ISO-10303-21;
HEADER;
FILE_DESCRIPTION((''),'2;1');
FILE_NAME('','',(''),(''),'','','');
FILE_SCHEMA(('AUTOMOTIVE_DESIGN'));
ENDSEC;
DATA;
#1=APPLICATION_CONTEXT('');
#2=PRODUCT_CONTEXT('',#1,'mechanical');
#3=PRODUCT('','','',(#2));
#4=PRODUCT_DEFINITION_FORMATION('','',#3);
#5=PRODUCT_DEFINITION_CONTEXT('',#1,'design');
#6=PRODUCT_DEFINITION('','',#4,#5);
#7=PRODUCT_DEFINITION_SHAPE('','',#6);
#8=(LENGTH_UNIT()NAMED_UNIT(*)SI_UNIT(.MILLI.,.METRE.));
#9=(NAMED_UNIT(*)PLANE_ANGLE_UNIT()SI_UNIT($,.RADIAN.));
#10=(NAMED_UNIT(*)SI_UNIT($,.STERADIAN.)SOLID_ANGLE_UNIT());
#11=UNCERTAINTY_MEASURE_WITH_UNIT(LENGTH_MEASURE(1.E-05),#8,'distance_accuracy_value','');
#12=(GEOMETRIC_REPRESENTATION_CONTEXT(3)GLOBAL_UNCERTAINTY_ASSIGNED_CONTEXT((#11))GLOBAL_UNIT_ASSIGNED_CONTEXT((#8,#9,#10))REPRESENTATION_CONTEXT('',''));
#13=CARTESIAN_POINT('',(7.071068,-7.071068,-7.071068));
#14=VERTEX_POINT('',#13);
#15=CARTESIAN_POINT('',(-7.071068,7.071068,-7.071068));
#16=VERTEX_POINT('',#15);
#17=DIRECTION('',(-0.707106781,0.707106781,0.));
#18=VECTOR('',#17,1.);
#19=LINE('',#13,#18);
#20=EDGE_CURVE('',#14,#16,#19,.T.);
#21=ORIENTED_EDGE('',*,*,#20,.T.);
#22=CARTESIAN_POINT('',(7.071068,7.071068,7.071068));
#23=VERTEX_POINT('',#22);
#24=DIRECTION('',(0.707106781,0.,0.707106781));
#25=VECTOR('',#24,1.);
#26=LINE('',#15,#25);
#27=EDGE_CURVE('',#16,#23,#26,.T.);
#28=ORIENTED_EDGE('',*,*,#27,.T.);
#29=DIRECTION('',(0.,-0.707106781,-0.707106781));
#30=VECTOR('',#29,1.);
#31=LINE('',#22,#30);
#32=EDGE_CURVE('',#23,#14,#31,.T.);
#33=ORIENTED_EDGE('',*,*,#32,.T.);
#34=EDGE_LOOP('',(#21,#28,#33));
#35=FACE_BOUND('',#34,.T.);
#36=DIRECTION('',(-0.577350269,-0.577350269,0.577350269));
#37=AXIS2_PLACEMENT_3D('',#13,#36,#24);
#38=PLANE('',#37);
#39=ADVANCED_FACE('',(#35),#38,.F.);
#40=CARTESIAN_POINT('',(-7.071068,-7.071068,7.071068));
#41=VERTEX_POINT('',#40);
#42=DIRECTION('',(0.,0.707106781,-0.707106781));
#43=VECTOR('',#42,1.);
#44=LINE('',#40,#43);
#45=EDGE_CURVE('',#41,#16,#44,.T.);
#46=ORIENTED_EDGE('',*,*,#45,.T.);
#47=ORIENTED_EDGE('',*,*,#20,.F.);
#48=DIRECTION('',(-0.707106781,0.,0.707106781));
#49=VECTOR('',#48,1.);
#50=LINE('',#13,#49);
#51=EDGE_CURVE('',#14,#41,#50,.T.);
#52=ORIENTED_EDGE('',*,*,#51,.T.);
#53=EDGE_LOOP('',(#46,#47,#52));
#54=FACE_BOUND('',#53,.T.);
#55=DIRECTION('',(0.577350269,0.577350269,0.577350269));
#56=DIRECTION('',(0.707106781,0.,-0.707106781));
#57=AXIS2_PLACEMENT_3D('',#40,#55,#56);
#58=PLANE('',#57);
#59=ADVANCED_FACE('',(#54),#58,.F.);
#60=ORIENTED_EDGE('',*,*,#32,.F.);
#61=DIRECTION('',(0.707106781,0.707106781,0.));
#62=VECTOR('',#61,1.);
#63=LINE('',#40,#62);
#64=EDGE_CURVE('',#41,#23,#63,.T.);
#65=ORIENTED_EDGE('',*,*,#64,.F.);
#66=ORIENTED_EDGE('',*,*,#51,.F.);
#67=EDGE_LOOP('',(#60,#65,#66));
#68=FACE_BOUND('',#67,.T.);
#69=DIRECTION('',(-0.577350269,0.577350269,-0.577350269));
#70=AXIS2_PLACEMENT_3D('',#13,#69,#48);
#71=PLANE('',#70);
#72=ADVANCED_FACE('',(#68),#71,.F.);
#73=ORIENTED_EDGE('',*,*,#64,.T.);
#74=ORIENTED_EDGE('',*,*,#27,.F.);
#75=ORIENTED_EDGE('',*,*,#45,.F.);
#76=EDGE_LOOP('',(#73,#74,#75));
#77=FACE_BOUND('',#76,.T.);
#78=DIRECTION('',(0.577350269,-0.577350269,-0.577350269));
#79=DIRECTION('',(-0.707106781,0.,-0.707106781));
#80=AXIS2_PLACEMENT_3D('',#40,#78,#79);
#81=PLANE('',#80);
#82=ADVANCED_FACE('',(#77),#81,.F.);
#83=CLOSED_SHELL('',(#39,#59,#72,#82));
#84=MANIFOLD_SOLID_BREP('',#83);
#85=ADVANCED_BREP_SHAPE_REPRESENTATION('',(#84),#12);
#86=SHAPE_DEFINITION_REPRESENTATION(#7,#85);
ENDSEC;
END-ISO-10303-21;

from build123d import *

# Parameters (mm, degrees)
CIRPATTERN2_2_ANGLE   = 180
CIRPATTERN2_2_5_ANGLE = 180


with BuildPart() as body_1:
    # Sketch12 → Surface-Plane4: a flat surface bounded by the sketch
    with BuildSketch(Plane(origin=(-2.357022604, -2.357022604, -2.357022604), x_dir=(0.4082482904638632, 0.4082482904638626, -0.8164965809277261), z_dir=(0.5773502691896264, 0.5773502691896254, 0.5773502691896256)), mode=Mode.PRIVATE) as surface_plane4_1_region:
        Polygon((-11.547005384, 0), (5.773502692, -10), (5.773502692, 10), align=None)
    surface_plane4_1 = surface_plane4_1_region.sketch.faces()[0]
    # CirPattern2: a copy of that surface (a pattern of surface bodies)
    cirpattern2_2 = surface_plane4_1.rotate(Axis((0, 0, 0), (0, 1, 0)), CIRPATTERN2_2_ANGLE)
    # Sketch11 → Surface-Plane3: a flat surface bounded by the sketch
    with BuildSketch(Plane(origin=(2.357022604, 2.357022604, -2.357022604), x_dir=(0.40824829046386335, 0.4082482904638629, 0.8164965809277259), z_dir=(-0.577350269189626, -0.5773502691896255, 0.577350269189626)), mode=Mode.PRIVATE) as surface_plane3_3_region:
        Polygon((-5.773502692, -10), (11.547005384, 0), (-5.773502692, 10), align=None)
    surface_plane3_3 = surface_plane3_3_region.sketch.faces()[0]
    # Sketch11 → Surface-Plane3: a flat surface bounded by the sketch
    with BuildSketch(Plane(origin=(2.357022604, 2.357022604, -2.357022604), x_dir=(0.40824829046386335, 0.4082482904638629, 0.8164965809277259), z_dir=(-0.577350269189626, -0.5773502691896255, 0.577350269189626)), mode=Mode.PRIVATE) as surface_plane3_4_region:
        Polygon((-5.773502692, -10), (11.547005384, 0), (-5.773502692, 10), align=None)
    surface_plane3_4 = surface_plane3_4_region.sketch.faces()[0]
    # CirPattern2 2: a copy of that surface (a pattern of surface bodies)
    cirpattern2_2_5 = surface_plane3_4.rotate(Axis((0, 0, 0), (0, 1, 0)), CIRPATTERN2_2_5_ANGLE)
    # Sketch12 → Surface-Plane4: a flat surface bounded by the sketch
    with BuildSketch(Plane(origin=(-2.357022604, -2.357022604, -2.357022604), x_dir=(0.4082482904638632, 0.4082482904638626, -0.8164965809277261), z_dir=(0.5773502691896264, 0.5773502691896254, 0.5773502691896256)), mode=Mode.PRIVATE) as surface_plane4_6_region:
        Polygon((-11.547005384, 0), (5.773502692, -10), (5.773502692, 10), align=None)
    surface_plane4_6 = surface_plane4_6_region.sketch.faces()[0]
    # Surface-Knit2: the surfaces knitted into a closed skin and filled: a solid
    add(Solid(Shell(Face.sew_faces(cirpattern2_2.faces() + surface_plane3_3.faces() + cirpattern2_2_5.faces() + surface_plane4_6.faces())[0])))


solid = body_1.part
